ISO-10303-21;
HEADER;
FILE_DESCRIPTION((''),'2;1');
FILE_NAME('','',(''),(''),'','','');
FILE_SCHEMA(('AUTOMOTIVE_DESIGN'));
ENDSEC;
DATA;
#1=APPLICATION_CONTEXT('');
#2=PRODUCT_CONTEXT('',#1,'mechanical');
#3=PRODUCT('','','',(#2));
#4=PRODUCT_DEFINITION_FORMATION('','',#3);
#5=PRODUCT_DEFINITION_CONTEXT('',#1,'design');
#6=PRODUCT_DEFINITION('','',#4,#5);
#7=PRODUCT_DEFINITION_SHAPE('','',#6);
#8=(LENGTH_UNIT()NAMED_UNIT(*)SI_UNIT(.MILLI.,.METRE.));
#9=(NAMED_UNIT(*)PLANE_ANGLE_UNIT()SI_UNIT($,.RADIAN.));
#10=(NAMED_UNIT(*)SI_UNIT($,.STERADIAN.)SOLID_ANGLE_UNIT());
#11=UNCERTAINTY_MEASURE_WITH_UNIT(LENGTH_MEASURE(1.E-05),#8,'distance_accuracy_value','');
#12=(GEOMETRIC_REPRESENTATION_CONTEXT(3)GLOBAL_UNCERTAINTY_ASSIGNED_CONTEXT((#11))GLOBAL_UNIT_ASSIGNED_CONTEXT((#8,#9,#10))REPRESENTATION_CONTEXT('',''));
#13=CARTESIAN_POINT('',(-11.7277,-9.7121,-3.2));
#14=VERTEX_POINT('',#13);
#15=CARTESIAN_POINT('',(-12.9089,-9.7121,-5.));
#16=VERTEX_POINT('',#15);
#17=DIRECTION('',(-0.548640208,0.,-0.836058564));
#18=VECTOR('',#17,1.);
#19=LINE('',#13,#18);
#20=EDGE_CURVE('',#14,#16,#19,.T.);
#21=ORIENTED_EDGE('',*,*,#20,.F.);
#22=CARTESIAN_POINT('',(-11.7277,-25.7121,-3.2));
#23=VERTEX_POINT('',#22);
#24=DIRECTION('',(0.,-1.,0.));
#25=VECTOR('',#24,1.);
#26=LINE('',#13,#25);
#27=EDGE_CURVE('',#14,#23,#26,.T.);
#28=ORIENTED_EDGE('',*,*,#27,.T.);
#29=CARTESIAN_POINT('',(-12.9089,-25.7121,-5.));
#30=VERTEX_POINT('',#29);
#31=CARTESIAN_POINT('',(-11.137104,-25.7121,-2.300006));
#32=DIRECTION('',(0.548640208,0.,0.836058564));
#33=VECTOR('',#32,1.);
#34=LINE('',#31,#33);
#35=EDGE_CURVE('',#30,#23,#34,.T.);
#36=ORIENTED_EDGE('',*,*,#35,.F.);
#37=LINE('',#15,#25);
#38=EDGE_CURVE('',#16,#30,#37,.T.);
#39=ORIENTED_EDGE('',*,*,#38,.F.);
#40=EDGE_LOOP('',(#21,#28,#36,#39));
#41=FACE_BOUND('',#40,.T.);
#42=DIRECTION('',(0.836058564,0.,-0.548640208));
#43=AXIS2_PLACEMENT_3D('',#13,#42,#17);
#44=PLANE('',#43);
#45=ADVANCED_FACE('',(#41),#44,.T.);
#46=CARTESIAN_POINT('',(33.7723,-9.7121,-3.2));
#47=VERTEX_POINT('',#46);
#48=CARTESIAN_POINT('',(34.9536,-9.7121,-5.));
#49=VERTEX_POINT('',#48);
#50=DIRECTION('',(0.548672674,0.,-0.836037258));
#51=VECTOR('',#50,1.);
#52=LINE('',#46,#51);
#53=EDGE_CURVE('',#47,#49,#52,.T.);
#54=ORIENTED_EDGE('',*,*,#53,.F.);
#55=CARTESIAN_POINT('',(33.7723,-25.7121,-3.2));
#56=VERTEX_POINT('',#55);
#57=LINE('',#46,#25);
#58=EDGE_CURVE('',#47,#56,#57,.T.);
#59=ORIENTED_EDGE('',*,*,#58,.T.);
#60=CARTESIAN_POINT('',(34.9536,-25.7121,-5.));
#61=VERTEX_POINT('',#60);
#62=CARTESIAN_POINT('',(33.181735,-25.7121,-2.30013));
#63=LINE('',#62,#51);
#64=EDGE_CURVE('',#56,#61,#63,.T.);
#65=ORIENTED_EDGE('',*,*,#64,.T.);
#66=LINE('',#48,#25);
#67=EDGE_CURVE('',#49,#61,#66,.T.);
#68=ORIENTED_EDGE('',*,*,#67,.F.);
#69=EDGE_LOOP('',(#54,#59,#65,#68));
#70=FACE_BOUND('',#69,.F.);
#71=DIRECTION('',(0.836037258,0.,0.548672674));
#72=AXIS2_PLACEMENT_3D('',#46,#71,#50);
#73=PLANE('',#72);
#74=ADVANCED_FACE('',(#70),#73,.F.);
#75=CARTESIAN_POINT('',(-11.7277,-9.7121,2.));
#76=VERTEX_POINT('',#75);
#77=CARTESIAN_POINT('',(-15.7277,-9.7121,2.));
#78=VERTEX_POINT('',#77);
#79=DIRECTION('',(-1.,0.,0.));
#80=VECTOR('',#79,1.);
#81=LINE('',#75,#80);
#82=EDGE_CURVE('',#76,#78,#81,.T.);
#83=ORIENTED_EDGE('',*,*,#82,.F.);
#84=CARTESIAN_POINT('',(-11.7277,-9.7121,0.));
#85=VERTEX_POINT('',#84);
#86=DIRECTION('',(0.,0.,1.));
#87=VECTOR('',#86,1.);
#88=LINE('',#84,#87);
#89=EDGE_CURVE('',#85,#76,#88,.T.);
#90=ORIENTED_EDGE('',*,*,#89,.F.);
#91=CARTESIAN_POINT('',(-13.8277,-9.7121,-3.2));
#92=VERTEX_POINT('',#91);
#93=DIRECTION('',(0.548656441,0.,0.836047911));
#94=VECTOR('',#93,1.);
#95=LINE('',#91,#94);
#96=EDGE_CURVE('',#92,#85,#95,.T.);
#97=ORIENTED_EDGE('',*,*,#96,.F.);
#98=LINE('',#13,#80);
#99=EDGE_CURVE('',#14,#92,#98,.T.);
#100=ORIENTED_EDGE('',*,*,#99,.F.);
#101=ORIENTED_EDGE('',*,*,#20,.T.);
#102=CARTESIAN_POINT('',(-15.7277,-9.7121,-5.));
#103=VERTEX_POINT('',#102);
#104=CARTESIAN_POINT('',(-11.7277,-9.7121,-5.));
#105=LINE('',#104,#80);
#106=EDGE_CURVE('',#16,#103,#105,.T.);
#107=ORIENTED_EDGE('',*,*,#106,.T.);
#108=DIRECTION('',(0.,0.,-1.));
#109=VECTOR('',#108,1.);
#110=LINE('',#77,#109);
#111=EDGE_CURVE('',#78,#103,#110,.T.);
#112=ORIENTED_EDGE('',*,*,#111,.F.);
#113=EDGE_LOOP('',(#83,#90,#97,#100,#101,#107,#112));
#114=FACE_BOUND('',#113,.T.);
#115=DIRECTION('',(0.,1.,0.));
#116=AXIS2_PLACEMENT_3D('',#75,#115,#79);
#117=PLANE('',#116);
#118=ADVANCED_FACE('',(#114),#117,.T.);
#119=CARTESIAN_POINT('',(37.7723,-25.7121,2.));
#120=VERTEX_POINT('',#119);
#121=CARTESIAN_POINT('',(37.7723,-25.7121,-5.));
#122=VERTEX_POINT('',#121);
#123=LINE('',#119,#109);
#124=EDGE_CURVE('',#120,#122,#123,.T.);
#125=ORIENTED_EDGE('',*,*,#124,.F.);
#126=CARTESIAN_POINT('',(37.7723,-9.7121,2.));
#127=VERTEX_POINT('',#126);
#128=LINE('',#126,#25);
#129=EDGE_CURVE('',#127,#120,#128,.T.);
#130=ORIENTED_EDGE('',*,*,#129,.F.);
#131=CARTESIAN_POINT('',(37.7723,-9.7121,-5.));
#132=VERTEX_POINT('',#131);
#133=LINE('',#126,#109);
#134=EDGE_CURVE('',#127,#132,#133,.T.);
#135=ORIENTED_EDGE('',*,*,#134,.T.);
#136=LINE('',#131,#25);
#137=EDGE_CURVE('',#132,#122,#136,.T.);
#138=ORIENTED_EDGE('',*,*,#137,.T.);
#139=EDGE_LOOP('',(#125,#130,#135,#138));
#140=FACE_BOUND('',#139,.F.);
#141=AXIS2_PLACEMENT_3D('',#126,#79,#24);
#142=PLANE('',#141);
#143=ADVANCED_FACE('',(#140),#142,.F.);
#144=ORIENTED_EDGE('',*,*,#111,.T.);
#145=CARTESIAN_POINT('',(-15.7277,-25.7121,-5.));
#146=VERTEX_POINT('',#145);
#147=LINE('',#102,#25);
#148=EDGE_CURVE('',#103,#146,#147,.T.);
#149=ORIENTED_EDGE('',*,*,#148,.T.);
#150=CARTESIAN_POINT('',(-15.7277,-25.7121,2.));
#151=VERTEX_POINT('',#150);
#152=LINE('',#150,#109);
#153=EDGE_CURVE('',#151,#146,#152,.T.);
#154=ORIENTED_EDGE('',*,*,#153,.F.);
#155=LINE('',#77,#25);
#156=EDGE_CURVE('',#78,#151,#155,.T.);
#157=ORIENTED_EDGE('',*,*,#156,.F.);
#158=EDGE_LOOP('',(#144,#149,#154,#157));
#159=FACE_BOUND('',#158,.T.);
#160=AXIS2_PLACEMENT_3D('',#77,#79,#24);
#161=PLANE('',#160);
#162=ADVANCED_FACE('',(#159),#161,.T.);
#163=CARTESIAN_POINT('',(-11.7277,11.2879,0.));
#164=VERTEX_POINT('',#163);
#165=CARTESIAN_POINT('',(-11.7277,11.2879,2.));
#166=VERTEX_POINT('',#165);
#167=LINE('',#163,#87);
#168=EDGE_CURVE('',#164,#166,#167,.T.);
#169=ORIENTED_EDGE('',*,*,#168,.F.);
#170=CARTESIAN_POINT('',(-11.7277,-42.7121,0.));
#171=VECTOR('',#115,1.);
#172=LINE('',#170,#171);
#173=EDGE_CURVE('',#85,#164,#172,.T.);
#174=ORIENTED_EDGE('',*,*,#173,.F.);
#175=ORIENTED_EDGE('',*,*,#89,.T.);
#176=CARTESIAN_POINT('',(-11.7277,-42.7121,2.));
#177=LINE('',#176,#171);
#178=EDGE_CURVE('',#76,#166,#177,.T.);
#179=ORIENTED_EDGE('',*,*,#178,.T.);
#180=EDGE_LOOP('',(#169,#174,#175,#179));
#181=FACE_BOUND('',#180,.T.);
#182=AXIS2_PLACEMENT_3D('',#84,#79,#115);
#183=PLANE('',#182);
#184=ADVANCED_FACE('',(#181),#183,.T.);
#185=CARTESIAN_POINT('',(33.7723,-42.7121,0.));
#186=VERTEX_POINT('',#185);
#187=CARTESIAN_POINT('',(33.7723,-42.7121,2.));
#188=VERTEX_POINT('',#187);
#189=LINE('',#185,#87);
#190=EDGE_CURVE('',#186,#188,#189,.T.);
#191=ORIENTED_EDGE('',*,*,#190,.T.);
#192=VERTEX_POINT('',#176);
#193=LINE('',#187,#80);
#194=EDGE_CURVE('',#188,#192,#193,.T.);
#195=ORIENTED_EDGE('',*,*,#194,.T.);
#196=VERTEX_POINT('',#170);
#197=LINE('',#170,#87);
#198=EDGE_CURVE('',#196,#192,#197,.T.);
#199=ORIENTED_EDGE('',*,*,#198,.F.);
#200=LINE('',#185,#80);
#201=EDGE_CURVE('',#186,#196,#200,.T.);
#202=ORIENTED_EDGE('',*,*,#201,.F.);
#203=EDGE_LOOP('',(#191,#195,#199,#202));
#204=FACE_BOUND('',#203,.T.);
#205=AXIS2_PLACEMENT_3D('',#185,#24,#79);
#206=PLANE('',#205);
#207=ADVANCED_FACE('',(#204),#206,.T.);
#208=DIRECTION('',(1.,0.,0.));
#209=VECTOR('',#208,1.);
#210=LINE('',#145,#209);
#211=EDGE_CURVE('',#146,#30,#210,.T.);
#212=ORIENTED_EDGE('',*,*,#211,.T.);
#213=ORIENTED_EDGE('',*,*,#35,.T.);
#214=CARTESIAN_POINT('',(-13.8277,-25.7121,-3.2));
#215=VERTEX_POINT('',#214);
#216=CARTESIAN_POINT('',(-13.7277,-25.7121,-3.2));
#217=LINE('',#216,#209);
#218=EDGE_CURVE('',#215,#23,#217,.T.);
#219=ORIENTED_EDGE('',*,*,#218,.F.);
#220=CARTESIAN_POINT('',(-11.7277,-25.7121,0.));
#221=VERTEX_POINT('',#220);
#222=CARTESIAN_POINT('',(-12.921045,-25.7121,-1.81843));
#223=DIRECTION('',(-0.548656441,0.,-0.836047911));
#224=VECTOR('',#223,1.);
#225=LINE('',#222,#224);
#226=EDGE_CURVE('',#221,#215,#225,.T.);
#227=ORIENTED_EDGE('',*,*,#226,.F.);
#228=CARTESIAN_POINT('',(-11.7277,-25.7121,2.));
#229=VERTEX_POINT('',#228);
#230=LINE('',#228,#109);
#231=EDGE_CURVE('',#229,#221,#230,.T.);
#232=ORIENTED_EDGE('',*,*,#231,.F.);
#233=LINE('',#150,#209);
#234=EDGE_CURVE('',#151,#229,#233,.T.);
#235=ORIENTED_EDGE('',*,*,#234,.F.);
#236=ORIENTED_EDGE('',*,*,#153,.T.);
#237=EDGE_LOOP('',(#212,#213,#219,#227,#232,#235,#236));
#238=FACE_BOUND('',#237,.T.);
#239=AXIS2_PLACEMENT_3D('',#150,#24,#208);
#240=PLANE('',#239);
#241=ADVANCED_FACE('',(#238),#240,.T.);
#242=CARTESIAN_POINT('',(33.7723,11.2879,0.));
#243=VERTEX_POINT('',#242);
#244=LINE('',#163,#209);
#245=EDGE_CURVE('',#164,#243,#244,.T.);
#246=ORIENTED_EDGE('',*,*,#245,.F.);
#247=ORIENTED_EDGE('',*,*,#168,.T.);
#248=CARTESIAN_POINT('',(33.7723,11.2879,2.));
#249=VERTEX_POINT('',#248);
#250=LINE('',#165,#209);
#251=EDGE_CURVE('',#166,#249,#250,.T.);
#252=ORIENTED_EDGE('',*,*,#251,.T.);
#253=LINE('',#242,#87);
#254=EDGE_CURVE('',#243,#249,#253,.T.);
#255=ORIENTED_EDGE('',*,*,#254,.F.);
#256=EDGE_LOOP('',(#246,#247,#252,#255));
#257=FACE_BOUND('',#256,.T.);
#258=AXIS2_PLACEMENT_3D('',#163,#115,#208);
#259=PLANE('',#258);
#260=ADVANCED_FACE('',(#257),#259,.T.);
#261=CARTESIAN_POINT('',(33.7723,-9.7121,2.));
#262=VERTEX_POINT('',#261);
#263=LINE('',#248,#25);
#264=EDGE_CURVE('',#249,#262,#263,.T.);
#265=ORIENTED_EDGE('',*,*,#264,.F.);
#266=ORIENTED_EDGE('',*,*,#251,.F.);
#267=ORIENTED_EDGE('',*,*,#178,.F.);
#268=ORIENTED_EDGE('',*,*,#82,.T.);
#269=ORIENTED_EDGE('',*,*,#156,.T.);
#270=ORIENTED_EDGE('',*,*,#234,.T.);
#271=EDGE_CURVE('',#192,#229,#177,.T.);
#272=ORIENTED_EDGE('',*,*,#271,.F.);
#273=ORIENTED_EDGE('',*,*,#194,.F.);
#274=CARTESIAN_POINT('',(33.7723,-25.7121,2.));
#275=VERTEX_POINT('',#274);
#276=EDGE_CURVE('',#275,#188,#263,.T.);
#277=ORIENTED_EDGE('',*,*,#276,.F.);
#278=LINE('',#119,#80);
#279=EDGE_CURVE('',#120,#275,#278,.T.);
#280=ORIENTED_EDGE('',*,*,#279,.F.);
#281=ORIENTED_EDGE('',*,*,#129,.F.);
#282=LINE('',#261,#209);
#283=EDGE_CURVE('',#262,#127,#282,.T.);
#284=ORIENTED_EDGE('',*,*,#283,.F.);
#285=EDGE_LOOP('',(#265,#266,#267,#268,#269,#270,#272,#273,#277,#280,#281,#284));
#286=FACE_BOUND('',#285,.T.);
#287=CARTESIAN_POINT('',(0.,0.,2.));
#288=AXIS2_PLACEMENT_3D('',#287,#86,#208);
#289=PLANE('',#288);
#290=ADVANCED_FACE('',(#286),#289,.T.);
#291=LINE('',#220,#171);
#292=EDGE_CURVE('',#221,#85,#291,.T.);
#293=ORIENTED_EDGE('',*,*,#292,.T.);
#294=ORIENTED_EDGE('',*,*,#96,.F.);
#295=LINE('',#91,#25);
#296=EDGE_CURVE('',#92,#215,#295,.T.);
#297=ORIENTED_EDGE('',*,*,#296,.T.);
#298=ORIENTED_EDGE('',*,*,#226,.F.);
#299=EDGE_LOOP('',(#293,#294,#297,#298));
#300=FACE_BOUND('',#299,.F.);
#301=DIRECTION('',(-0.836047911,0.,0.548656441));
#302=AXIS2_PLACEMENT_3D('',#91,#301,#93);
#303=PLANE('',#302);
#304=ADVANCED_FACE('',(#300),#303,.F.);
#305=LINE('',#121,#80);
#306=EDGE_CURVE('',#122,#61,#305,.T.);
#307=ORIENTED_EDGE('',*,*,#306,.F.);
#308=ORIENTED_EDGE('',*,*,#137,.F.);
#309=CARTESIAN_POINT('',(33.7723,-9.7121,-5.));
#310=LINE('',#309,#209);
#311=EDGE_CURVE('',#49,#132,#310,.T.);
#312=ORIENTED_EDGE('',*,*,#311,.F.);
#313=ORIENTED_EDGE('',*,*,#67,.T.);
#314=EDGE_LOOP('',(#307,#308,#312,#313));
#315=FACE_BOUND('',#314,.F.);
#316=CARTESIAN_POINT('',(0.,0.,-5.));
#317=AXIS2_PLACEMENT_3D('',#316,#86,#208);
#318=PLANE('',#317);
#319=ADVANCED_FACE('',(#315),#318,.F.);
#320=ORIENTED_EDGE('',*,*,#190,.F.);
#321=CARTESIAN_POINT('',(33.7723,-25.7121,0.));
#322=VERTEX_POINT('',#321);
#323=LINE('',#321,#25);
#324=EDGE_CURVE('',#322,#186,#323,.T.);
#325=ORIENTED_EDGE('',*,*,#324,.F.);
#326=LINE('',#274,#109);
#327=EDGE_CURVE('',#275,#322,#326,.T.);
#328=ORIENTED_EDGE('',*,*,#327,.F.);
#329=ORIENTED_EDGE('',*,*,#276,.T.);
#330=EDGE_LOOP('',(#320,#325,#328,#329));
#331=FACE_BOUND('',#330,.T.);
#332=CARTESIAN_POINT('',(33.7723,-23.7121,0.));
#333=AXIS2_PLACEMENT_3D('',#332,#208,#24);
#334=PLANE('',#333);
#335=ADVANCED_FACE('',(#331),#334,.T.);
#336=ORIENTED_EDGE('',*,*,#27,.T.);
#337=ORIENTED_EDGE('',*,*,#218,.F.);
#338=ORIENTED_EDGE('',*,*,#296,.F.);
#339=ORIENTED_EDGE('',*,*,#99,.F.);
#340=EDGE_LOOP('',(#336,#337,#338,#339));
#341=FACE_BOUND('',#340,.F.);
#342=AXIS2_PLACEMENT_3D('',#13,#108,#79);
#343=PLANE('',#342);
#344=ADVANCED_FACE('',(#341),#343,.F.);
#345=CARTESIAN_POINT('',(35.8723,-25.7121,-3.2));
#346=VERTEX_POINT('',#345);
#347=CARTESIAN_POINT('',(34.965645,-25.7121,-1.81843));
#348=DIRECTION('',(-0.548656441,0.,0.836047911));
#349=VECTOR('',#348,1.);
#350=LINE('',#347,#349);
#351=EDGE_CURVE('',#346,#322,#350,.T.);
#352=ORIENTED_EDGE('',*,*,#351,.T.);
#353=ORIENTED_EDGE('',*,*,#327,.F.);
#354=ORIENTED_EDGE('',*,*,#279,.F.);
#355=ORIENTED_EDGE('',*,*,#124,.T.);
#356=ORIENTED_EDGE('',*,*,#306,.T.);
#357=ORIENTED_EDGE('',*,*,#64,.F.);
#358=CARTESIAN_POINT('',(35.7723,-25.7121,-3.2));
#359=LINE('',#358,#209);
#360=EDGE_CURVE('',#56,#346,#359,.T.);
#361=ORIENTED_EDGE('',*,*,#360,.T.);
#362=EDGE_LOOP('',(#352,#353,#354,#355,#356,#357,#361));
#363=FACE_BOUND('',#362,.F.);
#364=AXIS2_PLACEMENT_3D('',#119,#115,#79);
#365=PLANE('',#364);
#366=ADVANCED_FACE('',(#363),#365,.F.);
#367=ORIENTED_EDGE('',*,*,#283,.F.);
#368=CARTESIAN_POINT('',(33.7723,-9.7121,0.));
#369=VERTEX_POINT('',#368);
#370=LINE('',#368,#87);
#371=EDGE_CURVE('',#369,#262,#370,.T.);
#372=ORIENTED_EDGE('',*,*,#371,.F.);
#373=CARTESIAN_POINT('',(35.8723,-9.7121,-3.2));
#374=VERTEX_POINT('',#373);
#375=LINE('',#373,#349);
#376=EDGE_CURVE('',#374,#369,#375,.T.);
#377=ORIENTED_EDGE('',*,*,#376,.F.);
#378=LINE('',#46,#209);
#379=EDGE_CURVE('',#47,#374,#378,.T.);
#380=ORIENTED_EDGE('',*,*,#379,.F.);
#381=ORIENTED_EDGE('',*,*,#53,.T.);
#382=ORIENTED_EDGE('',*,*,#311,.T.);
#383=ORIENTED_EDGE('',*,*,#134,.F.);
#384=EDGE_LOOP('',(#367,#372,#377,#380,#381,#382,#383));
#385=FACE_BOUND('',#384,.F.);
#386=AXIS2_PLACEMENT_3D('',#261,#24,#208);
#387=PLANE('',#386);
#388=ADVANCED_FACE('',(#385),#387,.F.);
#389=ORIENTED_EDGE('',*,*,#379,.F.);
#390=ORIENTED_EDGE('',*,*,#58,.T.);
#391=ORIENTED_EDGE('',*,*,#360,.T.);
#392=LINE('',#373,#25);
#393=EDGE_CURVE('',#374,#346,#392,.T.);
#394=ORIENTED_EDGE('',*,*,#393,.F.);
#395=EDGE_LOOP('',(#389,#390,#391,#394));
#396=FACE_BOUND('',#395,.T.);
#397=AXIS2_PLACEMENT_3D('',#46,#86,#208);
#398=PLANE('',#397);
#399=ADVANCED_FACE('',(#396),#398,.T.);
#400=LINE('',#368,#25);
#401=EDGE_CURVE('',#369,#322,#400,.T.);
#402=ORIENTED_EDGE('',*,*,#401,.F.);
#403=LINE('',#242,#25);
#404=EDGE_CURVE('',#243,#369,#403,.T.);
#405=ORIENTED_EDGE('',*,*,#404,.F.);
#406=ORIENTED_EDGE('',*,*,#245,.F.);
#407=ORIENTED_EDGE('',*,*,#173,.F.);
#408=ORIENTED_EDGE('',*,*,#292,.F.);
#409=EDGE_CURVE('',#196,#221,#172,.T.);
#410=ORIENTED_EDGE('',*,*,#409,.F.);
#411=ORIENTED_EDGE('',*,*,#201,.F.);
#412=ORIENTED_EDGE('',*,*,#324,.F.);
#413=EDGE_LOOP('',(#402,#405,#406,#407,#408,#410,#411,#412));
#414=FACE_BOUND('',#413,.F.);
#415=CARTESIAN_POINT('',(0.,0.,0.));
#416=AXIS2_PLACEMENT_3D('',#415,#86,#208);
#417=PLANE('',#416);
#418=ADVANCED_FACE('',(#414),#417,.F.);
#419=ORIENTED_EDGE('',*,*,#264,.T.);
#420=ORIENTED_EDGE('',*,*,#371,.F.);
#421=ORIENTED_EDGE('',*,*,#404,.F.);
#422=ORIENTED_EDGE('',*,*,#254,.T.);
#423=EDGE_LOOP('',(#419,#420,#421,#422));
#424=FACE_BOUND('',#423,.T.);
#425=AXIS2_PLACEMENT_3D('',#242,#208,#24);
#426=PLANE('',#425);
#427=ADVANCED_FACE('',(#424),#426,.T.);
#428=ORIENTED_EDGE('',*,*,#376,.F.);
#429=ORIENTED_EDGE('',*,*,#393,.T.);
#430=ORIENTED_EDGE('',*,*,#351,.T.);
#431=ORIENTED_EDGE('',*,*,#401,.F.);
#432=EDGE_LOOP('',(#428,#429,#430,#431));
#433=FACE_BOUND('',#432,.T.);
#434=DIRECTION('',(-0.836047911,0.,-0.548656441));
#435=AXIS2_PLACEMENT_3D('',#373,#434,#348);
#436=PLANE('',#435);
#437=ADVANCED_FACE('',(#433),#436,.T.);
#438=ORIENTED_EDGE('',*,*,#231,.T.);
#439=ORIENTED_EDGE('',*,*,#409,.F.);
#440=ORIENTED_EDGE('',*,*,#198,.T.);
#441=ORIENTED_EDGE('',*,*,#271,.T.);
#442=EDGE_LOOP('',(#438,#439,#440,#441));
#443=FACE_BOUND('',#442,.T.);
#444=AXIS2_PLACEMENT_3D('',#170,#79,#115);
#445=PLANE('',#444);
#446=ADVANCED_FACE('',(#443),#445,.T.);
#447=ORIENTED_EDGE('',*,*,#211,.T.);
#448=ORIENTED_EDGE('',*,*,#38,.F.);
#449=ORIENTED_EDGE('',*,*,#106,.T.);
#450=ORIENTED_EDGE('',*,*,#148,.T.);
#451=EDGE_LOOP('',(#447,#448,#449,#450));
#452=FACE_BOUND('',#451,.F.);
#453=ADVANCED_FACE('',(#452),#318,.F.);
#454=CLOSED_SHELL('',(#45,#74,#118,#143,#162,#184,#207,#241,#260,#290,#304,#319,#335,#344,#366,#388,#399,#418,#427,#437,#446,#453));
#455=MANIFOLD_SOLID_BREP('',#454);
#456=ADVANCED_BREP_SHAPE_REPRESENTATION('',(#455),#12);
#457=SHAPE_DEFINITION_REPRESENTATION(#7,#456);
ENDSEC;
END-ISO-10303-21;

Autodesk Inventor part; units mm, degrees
ref_plane "YZ Plane" through (0, 0, 0) normal (1, 0, 0) x (0, 1, 0)
ref_plane "XZ Plane" through (0, 0, 0) normal (0, 1, 0) x (-1, 0, 0)
ref_plane "XY Plane" through (0, 0, 0) normal (0, 0, 1) x (1, 0, 0)
sketch "Sketch1" plane through (0, 0, 0) normal (0, 0, 1) x (1, 0, 0)
  line L0 (-11.7277, 11.2879) -> (33.7723, 11.2879)
  line L1 (33.7723, 11.2879) -> (33.7723, -42.7121)
  line L2 (33.7723, -42.7121) -> (-11.7277, -42.7121)
  line L3 (-11.7277, -42.7121) -> (-11.7277, 11.2879)
  line L4 (-11.7277, -9.7121) -> (-15.7277, -9.7121)
  line L5 (-15.7277, -9.7121) -> (-15.7277, -23.7121)
  line L6 (-15.7277, -23.7121) -> (-11.7277, -23.7121)
  line L7 (-11.7277, -23.7121) -> (-11.7277, -9.7121)
  line L8 (33.7723, -9.7121) -> (37.7723, -9.7121)
  line L9 (37.7723, -9.7121) -> (37.7723, -23.7121)
  line L10 (37.7723, -23.7121) -> (33.7723, -23.7121)
  line L11 (33.7723, -23.7121) -> (33.7723, -9.7121)
  point P0 (0, 0)
  dimension "d0" = 45.5
  dimension "d1" = 54
  dimension "d2" = 4
  dimension "d3" = 14
  dimension "d4" = 21
  dimension "d5" = 4
  dimension "d6" = 14
  dimension "d7" = 21
extrude "Extrusion1" add sketch "Sketch1" along normal blind 2 contours L0 L1 L2 L3
sketch "Sketch2" plane through (0, 0, 2) normal (0, 0, 1) x (1, 0, 0)
  line L0 (-11.7277, 11.2879) -> (-11.7277, -42.7121) projected
  line L1 (33.7723, -42.7121) -> (33.7723, 11.2879) projected
  line L2 (33.7723, 11.2879) -> (-11.7277, 11.2879) projected
  line L3 (-11.7277, -9.7121) -> (-15.7277, -9.7121)
  line L4 (-15.7277, -9.7121) -> (-15.7277, -25.7121)
  line L5 (-15.7277, -25.7121) -> (-11.7277, -25.7121)
  line L6 (-11.7277, -25.7121) -> (-11.7277, -9.7121)
  line L7 (33.7723, -9.7121) -> (37.7723, -9.7121)
  line L8 (37.7723, -9.7121) -> (37.7723, -25.7121)
  line L9 (37.7723, -25.7121) -> (33.7723, -25.7121)
  line L10 (33.7723, -25.7121) -> (33.7723, -9.7121)
  point P0 (0, 0)
  dimension "d10" = 4
  dimension "d11" = 16
  dimension "d12" = 21
  dimension "d13" = 4
extrude "Extrusion2" add sketch "Sketch2" against normal blind 7
sketch "Sketch3" plane through (33.7723, -9.7121, 2) normal (0, 1, 0) x (1, 0, 0)
  line L0 (4, 0) -> (4, 7) projected
  line L1 (0, 2) -> (0, 7) projected
  line L2 (0, 7) -> (0, 5.2)
  line L3 (0, 5.2) -> (2.1, 5.2)
  line L4 (2.1, 5.2) -> (0, 2)
  line L5 (0, 5.2) -> (0, 2)
  point P0 (-33.7723, 2)
  dimension "d16" = 1.8
  dimension "d17" = 2.1
extrude "Extrusion3" cut sketch "Sketch3" against normal blind 24.75
sketch "Sketch4" plane through (-15.7277, -9.7121, 2) normal (0, 1, 0) x (1, 0, 0)
  line L0 (4, 2) -> (4, 7) projected
  line L1 (4, 7) -> (4, 5.2)
  line L2 (4, 5.2) -> (1.9, 5.2)
  line L3 (1.9, 5.2) -> (4, 2)
  point P0 (15.7277, 2)
  dimension "d20" = 1.8
  dimension "d21" = 2.1
extrude "Extrusion4" cut sketch "Sketch4" against normal blind 176.5
sketch "Sketch5" plane through (-15.7277, -9.7121, 2) normal (0, 1, 0) x (1, 0, 0)
  line L0 (4, 5.2) -> (4, 7) projected
  line L1 (0, 7) -> (4, 7) projected
  line L2 (4, 2) -> (4, 0) projected
  line L3 (4, 2) -> (1.9, 5.2) projected
  line L4 (4, 5.2) -> (2.8188, 7)
  line L5 (4, 7) -> (4, 5.2)
  point P0 (15.7277, 2)
extrude "Extrusion5" cut sketch "Sketch5" against normal blind 3535.5
sketch "Sketch6" plane through (33.7723, -9.7121, 2) normal (0, 1, 0) x (1, 0, 0)
  line L0 (2.1, 5.2) -> (0, 2) projected
  line L1 (0, 7) -> (4, 7) projected
  line L2 (0, 5.2) -> (0, 7) projected
  line L3 (0, 5.2) -> (2.1, 5.2) projected
  line L4 (0, 5.2) -> (1.1813, 7)
  line L5 (0, 7) -> (0, 5.2)
  point P0 (-33.7723, 2)
extrude "Extrusion6" cut sketch "Sketch6" against normal blind 5309.5
properties part number "SkateBoxCover"
